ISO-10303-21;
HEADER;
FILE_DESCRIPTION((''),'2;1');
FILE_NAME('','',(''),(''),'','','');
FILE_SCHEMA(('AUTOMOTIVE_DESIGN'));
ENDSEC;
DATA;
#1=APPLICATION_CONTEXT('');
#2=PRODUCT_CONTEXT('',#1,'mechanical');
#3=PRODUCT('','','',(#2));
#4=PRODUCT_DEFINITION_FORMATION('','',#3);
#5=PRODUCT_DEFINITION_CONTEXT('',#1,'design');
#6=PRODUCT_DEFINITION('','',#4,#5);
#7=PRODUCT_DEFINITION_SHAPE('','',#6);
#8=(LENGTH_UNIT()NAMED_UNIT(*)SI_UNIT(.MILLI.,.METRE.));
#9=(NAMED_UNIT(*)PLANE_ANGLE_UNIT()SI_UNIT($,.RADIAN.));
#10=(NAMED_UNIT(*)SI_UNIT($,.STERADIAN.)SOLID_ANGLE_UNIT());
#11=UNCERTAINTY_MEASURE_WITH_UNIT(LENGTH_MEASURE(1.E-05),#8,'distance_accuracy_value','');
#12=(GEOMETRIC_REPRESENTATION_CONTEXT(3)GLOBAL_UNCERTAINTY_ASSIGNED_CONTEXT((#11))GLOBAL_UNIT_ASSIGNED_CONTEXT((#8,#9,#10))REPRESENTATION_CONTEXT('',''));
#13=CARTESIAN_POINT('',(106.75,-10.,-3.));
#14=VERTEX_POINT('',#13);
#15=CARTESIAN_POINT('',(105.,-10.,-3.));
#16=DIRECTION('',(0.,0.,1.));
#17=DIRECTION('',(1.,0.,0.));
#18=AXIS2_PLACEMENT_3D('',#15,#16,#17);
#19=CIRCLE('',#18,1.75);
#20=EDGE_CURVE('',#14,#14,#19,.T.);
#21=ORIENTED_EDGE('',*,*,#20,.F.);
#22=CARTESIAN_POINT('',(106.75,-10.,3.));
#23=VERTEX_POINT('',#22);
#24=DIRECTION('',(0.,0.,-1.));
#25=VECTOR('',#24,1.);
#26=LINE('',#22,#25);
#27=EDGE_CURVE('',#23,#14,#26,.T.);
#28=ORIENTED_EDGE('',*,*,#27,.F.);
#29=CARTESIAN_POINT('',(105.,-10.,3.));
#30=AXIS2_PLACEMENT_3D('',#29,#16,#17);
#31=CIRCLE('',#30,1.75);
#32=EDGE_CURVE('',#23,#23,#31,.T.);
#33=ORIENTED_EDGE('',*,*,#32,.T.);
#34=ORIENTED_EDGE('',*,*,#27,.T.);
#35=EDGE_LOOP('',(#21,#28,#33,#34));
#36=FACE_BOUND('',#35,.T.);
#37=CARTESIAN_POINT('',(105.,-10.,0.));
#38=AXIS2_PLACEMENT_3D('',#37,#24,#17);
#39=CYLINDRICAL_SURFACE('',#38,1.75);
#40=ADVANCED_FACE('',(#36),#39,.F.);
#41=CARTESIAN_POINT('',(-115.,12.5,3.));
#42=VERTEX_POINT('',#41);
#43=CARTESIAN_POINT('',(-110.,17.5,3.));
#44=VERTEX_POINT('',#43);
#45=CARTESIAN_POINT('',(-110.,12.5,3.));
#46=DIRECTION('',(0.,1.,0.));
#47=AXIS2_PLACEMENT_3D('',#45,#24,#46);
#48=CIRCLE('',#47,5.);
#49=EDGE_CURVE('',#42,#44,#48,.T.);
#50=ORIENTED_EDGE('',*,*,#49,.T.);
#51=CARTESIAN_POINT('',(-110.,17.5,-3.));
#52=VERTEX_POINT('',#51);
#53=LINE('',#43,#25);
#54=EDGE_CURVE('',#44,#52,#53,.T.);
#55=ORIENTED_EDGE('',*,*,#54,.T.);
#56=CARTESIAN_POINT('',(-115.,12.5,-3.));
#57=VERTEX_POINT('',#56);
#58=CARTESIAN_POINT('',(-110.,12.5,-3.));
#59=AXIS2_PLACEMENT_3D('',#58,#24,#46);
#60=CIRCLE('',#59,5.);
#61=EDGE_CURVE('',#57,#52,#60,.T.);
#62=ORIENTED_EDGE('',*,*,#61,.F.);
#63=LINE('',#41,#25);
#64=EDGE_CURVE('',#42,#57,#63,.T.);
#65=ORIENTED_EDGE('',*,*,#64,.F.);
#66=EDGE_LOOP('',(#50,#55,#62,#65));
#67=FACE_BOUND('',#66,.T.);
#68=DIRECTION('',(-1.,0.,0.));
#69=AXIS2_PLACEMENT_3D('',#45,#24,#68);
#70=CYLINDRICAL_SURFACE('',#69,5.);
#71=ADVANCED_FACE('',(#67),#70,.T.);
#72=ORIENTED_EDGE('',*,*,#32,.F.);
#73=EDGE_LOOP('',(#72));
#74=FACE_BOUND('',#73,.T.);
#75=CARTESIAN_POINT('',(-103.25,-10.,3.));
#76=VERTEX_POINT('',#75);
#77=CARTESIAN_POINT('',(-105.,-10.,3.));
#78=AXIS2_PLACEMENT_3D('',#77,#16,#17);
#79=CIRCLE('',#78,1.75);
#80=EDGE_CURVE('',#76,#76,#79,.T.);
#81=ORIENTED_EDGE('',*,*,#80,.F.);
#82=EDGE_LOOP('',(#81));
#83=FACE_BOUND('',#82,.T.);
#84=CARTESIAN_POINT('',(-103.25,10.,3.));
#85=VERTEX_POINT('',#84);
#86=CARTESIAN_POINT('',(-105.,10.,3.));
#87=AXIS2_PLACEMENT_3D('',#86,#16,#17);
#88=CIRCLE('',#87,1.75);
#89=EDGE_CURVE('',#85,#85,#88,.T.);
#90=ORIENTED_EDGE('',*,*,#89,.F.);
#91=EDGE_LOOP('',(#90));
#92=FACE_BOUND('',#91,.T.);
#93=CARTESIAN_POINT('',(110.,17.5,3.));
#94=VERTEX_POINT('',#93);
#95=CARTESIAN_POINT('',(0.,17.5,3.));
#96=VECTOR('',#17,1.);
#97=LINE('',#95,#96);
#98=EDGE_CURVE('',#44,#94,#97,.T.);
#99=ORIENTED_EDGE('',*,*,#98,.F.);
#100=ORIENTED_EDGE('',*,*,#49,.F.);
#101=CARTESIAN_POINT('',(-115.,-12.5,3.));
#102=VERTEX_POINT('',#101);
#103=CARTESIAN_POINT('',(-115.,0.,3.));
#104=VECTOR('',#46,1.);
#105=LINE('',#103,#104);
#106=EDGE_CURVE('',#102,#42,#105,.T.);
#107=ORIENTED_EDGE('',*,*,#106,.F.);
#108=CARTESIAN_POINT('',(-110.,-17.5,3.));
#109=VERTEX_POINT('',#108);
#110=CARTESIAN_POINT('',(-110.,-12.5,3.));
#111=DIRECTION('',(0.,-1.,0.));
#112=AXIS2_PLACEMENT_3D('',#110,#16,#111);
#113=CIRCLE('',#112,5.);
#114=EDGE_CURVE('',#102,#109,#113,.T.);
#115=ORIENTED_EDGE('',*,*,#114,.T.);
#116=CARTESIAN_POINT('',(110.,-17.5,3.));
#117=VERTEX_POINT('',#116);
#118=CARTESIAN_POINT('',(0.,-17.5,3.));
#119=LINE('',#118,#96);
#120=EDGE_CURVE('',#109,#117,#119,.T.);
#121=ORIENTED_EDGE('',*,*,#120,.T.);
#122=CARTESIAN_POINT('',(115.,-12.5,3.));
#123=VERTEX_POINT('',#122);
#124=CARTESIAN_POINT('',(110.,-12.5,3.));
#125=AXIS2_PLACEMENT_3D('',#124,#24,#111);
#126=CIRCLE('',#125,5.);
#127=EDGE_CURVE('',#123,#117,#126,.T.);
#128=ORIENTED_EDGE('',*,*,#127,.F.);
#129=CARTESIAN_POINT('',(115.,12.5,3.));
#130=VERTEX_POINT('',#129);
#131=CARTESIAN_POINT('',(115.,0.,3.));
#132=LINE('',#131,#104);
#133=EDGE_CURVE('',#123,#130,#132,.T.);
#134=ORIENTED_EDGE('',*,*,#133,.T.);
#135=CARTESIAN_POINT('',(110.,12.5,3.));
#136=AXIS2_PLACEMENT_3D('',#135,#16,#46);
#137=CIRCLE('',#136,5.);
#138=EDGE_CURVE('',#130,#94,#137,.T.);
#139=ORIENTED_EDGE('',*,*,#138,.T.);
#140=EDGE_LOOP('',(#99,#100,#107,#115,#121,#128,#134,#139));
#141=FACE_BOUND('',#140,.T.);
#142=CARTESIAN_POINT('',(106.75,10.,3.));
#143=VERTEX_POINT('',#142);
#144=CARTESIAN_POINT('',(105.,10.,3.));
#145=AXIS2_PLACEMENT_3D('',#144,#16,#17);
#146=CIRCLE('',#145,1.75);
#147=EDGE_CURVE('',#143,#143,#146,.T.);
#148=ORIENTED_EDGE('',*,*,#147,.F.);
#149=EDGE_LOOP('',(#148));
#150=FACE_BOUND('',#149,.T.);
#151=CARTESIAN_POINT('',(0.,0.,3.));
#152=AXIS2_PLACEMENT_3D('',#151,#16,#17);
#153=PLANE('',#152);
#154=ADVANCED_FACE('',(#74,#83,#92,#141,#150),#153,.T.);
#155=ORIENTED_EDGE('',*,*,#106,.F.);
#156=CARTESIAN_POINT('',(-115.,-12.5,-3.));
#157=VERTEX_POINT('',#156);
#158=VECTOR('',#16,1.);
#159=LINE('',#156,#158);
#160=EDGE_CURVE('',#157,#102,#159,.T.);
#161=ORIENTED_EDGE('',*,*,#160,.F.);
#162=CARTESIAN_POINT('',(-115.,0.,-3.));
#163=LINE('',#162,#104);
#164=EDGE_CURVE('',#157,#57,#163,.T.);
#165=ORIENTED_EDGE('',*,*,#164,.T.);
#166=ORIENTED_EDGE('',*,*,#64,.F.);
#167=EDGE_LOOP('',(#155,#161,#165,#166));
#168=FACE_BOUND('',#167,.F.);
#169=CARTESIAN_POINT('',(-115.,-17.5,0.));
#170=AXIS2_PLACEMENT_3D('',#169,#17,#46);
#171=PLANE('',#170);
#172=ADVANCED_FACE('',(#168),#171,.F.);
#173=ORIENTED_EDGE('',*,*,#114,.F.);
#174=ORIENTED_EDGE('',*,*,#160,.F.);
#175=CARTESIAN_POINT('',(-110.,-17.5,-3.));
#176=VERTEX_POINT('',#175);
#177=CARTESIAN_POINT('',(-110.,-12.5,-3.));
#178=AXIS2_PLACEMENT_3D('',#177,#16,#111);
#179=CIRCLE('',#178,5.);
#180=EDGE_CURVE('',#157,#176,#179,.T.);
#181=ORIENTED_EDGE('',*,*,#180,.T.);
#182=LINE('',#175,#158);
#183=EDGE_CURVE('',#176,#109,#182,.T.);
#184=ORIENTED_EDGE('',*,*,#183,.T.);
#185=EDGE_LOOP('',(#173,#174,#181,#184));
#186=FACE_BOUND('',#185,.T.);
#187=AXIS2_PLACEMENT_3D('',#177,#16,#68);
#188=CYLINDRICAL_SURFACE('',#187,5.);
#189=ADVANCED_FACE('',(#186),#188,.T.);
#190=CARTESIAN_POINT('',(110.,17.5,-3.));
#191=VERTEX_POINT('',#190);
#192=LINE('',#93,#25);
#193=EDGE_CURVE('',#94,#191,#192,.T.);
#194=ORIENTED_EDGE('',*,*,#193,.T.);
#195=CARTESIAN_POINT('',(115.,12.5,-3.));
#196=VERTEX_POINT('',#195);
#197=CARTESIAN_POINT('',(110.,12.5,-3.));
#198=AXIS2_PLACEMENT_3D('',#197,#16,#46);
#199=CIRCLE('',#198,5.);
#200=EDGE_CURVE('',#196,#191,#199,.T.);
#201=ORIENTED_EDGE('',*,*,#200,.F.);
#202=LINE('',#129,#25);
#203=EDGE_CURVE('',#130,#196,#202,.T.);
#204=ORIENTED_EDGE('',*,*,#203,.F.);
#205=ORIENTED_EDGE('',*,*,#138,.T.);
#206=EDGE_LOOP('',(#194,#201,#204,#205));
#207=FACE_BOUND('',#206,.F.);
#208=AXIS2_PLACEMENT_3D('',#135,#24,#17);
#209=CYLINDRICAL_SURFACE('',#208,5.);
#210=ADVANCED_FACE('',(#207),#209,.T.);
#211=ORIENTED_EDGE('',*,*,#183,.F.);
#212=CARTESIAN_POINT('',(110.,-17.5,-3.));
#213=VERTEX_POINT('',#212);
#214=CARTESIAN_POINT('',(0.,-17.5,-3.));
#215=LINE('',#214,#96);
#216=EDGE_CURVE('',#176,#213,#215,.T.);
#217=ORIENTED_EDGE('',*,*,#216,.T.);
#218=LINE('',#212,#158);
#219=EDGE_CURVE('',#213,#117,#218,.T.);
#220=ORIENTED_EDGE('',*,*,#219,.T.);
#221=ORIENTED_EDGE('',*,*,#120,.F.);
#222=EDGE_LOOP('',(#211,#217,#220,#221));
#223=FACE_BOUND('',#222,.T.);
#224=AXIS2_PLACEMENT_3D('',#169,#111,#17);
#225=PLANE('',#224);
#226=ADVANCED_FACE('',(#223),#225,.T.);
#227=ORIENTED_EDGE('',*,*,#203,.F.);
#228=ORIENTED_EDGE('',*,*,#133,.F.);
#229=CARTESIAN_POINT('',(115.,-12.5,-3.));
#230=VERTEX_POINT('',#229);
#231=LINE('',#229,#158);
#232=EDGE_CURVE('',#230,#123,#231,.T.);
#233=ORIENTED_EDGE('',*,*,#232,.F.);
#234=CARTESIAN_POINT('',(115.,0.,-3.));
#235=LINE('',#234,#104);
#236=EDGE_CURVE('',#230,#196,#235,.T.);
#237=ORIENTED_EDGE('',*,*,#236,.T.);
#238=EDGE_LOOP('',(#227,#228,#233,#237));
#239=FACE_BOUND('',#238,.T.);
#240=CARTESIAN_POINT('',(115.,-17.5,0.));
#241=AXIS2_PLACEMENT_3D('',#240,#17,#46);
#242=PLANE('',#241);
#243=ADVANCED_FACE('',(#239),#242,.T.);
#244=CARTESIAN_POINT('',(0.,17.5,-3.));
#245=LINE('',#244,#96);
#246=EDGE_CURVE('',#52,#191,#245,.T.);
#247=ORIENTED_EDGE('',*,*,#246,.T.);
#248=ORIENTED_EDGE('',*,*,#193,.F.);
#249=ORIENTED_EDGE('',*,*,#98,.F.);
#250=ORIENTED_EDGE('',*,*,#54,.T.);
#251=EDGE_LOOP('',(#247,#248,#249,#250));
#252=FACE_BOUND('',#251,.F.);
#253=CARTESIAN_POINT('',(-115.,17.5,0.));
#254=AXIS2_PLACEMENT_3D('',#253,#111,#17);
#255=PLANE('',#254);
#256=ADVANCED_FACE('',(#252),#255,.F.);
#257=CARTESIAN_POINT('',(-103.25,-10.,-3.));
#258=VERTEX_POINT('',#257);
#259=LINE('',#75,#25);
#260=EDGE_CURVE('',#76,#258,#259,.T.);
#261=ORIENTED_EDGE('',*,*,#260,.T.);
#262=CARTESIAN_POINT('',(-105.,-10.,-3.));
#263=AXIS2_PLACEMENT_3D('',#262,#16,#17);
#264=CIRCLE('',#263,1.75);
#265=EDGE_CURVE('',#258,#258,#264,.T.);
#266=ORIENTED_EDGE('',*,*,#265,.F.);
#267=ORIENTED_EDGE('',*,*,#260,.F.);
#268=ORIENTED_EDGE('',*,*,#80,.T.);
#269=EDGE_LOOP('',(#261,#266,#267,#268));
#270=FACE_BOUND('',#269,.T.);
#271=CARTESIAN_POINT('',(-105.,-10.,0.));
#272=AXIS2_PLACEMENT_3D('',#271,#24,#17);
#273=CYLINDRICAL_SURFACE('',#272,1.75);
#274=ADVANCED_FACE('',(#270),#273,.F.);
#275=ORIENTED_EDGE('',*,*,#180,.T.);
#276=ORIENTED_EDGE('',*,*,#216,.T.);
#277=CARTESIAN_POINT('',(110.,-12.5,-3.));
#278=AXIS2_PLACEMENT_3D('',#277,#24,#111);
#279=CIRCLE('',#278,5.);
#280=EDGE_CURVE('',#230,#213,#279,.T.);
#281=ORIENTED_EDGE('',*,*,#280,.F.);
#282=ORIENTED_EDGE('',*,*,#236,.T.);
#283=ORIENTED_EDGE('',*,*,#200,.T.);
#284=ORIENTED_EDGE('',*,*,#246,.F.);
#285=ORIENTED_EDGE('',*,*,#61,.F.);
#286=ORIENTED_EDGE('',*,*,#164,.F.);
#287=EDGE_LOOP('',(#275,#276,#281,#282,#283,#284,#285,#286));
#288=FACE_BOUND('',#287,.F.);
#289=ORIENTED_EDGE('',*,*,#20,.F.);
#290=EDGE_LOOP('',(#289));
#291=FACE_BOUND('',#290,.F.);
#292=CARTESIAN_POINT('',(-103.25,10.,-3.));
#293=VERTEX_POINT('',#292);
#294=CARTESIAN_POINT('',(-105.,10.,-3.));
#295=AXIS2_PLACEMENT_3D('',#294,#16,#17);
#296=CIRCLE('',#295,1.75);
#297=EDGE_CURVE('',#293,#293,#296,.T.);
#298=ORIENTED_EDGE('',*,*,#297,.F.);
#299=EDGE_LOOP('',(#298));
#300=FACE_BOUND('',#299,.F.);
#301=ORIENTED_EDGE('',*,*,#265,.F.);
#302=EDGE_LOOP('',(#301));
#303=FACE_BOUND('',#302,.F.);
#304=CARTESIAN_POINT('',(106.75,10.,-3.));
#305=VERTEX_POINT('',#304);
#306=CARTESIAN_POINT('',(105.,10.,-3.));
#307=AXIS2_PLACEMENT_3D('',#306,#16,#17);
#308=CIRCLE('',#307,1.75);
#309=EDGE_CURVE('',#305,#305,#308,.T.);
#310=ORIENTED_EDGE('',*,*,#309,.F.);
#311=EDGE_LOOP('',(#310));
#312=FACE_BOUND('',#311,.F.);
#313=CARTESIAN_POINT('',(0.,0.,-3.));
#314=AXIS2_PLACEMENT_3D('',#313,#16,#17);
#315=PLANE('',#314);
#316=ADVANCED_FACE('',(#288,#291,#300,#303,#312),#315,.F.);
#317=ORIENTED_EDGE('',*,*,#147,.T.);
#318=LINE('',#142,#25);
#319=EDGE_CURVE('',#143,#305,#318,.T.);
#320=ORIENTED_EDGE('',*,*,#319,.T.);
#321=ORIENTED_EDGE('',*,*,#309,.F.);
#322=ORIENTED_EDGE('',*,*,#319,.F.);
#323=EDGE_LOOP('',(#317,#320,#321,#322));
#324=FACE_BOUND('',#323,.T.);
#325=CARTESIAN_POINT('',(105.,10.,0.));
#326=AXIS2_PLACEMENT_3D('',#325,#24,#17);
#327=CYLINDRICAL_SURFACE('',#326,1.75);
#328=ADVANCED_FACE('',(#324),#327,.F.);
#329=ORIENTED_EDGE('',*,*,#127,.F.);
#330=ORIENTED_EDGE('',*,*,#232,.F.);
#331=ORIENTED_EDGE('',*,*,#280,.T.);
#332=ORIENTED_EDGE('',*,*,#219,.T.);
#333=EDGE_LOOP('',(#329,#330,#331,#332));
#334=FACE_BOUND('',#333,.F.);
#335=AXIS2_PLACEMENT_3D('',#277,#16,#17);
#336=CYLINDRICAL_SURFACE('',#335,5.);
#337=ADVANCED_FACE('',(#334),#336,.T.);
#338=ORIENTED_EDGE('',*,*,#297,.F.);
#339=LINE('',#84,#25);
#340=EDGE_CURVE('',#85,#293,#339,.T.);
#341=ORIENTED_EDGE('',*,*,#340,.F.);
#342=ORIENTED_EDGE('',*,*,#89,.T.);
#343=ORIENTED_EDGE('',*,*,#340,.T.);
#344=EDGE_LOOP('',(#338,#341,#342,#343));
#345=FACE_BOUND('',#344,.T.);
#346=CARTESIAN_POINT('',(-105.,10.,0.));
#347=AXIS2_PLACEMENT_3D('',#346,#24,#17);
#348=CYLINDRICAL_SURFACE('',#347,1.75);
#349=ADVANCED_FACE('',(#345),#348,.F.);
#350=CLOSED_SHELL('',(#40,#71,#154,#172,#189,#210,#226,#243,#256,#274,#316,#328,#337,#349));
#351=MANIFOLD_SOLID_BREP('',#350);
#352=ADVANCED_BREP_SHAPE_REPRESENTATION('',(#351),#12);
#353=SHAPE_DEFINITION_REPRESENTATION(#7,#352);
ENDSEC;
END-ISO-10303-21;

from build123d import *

# Parameters (mm, degrees)
F0_W     = 230
F0_H     = 35
F0_R     = 1.75
F1_DEPTH = 3
F2_R     = 5


with BuildPart() as f1:
    # F0 (on Top) → F1 (new body, symmetric)
    with BuildSketch(Plane.XY):
        Rectangle(F0_W, F0_H)
        with Locations((-105, -10)):
            Circle(F0_R, mode=Mode.SUBTRACT)
        with Locations((105, -10)):
            Circle(F0_R, mode=Mode.SUBTRACT)
        with Locations((-105, 10)):
            Circle(F0_R, mode=Mode.SUBTRACT)
        with Locations((105, 10)):
            Circle(F0_R, mode=Mode.SUBTRACT)
    extrude(amount=F1_DEPTH, both=True)

    # F2
    f2_edges = [f1.edges().sort_by_distance(p)[0] for p in [
        (-115, 17.5, 0),
        (115, 17.5, 0),
        (115, -17.5, 0),
        (-115, -17.5, 0),
    ]]
    fillet(f2_edges, radius=F2_R)


solid = f1.part
